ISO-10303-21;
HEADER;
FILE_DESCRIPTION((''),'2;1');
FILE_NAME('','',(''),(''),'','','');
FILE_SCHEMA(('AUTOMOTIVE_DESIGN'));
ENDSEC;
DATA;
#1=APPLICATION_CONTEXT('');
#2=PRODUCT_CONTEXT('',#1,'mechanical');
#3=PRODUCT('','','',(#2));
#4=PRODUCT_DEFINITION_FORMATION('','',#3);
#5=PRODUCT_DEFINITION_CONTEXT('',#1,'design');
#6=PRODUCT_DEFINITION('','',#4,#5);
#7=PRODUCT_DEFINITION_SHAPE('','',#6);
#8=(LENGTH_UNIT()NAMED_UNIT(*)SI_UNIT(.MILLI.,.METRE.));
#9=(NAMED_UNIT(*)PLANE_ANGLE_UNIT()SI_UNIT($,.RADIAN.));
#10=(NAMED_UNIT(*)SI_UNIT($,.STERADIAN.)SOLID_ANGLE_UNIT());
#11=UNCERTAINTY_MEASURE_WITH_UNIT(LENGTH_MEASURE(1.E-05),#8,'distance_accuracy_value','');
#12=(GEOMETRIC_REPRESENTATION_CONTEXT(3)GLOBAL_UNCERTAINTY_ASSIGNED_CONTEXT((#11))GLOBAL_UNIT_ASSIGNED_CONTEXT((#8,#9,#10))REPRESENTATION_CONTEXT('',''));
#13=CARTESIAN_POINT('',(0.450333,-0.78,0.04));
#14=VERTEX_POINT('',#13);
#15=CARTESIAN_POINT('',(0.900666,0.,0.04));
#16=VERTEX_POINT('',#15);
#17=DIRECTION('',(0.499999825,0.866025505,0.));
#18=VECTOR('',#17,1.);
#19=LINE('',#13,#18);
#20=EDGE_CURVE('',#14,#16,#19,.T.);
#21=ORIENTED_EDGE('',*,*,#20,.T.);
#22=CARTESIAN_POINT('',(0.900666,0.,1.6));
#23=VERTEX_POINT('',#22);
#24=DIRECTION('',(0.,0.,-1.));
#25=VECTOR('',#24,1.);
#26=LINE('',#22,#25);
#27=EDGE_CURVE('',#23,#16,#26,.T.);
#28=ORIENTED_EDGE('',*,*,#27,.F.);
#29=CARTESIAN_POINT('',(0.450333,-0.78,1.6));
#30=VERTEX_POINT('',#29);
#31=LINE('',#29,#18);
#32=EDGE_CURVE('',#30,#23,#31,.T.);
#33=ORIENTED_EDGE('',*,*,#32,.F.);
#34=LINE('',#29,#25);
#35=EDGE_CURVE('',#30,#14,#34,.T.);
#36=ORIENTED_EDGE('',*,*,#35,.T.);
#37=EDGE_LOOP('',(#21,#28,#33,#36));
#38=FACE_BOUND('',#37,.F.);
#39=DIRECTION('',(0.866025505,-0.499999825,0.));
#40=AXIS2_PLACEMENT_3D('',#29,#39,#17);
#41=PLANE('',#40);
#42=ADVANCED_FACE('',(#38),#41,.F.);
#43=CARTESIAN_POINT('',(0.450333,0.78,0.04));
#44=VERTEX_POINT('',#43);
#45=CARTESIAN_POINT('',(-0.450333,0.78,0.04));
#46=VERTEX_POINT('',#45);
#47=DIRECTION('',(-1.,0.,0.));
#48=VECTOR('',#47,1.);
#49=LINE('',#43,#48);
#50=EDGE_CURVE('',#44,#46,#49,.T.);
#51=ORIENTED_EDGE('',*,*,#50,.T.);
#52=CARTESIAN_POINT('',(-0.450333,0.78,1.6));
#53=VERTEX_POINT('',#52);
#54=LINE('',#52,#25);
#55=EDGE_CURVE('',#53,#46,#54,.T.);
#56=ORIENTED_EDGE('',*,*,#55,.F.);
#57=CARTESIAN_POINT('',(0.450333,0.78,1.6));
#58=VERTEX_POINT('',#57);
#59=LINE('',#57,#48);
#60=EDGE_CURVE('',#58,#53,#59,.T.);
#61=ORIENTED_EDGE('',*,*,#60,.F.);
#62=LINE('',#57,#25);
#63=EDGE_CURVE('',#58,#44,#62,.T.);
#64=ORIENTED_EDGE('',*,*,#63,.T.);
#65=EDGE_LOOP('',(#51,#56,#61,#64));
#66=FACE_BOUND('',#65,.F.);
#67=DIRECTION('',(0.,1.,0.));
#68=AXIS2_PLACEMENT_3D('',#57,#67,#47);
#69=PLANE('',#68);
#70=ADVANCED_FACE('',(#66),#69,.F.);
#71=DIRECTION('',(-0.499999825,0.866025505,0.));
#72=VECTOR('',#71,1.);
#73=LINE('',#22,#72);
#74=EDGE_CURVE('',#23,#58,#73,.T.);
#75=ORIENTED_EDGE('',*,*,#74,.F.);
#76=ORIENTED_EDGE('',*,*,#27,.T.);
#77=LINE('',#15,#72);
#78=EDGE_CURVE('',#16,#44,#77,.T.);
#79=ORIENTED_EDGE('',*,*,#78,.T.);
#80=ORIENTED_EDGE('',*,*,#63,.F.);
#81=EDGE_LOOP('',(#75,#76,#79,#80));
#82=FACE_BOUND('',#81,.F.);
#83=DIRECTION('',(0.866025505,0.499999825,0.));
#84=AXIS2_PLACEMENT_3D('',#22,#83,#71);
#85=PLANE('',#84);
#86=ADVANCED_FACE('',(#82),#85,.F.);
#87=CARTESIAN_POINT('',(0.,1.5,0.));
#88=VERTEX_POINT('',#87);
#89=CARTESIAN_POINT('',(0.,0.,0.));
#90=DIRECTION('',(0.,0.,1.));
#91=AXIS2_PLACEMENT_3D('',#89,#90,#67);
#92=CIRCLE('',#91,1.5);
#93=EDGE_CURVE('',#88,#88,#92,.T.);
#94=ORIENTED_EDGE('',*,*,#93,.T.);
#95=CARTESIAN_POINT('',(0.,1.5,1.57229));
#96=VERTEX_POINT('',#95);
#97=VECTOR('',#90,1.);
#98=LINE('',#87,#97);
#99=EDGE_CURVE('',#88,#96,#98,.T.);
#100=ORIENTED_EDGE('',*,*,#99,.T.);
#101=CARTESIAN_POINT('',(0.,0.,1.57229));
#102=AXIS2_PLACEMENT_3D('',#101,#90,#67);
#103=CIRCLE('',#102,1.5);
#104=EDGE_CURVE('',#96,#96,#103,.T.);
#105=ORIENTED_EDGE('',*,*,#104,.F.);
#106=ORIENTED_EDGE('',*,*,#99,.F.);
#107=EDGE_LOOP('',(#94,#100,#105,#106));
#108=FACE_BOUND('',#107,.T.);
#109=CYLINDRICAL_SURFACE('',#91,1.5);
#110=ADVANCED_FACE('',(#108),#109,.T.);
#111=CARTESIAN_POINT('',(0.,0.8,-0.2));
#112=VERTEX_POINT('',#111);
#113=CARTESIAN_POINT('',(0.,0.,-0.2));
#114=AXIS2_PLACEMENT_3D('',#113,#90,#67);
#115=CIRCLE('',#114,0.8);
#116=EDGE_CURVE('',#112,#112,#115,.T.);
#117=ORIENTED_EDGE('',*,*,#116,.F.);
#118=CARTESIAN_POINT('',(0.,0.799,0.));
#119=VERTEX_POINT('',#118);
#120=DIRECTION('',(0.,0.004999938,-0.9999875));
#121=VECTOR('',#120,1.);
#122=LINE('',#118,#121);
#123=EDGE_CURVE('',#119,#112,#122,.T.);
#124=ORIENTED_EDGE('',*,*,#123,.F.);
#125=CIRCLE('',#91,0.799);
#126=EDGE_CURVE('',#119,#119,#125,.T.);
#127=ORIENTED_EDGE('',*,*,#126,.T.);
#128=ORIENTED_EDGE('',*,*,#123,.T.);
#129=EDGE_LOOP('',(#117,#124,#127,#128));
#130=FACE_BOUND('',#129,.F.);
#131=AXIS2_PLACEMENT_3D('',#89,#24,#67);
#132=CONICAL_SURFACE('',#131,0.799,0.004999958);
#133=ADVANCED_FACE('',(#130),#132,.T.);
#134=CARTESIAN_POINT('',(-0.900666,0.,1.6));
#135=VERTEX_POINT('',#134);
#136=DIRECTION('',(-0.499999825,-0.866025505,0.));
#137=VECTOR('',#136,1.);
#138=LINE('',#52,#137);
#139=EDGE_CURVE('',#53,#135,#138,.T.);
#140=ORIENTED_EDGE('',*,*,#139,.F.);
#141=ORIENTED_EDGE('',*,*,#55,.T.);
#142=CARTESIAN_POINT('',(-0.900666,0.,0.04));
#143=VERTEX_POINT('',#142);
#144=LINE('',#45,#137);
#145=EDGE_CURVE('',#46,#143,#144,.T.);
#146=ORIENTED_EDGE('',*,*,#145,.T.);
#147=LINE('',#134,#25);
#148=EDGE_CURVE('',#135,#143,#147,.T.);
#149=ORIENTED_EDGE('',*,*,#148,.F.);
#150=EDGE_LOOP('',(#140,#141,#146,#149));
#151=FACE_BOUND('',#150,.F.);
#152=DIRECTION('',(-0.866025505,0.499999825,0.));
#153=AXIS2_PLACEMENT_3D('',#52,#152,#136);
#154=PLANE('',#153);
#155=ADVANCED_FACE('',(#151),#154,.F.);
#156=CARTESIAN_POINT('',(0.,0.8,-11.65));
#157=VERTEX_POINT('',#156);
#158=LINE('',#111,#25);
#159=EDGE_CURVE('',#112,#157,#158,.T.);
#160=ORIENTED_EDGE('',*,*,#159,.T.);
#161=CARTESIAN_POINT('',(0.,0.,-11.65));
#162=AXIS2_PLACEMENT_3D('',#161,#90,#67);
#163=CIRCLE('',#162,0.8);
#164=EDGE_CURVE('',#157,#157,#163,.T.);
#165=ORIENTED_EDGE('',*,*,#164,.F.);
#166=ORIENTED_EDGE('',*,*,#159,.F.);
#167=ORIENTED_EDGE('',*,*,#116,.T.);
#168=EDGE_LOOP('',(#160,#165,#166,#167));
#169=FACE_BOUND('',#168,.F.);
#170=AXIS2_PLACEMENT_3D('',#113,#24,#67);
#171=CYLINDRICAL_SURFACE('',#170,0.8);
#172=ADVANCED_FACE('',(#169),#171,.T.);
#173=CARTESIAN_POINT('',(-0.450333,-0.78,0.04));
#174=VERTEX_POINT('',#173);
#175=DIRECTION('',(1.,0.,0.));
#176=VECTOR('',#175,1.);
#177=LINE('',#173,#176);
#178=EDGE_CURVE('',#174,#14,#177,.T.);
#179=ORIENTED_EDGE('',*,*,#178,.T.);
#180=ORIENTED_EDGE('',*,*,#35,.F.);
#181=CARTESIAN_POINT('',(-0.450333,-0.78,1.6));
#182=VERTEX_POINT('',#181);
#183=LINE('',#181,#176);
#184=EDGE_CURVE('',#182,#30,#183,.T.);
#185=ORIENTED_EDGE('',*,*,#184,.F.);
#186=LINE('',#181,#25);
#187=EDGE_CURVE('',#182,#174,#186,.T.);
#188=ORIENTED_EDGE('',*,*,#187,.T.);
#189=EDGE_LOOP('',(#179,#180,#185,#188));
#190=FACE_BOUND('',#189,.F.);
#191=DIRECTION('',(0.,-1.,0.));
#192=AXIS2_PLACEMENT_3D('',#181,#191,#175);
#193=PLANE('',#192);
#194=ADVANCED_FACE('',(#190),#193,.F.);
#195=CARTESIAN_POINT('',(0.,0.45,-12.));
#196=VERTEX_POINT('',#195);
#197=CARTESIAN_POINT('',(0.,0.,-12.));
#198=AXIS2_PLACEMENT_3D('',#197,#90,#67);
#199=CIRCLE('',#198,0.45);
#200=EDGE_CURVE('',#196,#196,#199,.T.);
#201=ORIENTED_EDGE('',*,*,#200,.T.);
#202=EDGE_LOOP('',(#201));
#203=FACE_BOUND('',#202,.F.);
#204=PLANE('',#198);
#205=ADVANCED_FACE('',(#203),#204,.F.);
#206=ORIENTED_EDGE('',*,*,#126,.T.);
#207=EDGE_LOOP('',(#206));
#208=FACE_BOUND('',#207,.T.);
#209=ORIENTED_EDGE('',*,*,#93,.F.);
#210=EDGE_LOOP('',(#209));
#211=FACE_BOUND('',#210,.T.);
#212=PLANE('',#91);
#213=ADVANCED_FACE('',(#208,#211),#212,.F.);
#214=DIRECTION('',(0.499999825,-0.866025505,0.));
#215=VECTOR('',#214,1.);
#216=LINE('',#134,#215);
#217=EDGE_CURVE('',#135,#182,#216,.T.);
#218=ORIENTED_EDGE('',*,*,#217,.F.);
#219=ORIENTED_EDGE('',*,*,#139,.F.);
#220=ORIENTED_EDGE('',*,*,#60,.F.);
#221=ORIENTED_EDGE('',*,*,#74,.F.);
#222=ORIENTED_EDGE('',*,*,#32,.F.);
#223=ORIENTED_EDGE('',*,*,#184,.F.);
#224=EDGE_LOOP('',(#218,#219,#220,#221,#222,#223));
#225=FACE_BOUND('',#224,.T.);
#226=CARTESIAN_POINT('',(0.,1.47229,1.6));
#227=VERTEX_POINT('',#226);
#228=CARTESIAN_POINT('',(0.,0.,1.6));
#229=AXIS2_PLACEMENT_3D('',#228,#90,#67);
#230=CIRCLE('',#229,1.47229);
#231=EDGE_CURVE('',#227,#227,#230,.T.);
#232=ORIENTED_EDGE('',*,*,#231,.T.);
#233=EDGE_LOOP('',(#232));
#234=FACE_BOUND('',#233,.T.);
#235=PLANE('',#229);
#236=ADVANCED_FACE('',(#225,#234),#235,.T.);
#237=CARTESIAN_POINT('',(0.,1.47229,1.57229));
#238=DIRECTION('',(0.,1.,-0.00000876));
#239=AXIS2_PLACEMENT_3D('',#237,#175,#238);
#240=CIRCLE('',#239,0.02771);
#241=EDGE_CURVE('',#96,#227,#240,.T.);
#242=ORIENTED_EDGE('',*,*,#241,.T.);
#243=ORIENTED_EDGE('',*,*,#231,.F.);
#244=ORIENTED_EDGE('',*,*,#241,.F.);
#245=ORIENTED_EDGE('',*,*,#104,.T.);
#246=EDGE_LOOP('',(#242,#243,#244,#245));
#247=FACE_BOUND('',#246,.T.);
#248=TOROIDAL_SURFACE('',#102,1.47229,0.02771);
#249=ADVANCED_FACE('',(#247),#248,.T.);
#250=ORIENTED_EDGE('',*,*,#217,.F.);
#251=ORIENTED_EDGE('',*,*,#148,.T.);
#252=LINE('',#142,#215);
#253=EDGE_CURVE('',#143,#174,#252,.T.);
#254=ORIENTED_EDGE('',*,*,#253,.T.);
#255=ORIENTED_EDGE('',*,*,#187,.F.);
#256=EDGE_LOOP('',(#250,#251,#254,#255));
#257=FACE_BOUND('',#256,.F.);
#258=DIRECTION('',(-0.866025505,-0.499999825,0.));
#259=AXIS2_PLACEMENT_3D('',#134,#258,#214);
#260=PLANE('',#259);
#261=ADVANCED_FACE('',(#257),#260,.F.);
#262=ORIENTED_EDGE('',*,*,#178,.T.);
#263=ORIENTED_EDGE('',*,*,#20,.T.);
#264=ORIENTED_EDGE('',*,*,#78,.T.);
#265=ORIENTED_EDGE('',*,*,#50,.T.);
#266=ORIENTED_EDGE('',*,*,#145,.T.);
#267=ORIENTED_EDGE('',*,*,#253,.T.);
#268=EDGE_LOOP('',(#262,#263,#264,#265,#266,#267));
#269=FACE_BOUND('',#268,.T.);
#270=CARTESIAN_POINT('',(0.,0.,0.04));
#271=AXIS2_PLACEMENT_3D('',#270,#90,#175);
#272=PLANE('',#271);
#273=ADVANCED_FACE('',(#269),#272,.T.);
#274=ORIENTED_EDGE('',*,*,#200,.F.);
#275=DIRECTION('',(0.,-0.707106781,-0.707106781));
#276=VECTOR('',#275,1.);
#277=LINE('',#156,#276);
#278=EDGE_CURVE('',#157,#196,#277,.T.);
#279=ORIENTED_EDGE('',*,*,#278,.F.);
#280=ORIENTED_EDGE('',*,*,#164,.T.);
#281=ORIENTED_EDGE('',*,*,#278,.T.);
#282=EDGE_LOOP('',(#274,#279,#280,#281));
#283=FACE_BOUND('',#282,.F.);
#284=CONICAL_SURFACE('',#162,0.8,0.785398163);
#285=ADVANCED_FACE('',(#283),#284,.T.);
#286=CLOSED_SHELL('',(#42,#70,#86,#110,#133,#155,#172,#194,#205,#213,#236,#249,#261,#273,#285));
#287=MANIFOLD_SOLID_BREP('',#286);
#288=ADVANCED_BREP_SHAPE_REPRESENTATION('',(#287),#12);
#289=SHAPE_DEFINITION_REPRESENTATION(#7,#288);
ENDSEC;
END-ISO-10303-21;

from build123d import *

# Parameters (mm, degrees)
POCKET_DEPTH = 1.56


with BuildPart() as part:
    # Sketch → Revolve (revolve)
    with BuildSketch(Plane.YZ):
        with BuildLine():
            Line((0.799, 0), (1.5, 0))
            Line((1.5, 0), (1.5, 1.57229))
            ThreePointArc((1.5, 1.57229), (1.491884, 1.591884), (1.47229, 1.6))
            Line((1.47229, 1.6), (0, 1.6))
            Line((0, -12), (0, 1.6))
            Line((0.45, -12), (0, -12))
            Line((0.8, -11.65), (0.45, -12))
            Line((0.8, -0.2), (0.8, -11.65))
            Line((0.799, 0), (0.8, -0.2))
        make_face()
    revolve(axis=Axis((0, 0, 0), (0, 0, 1)))

    # Sketch001 → Pocket (cut)
    with BuildSketch(Plane.XY.offset(1.6)):
        Polygon((0.900666, 0), (0.450333, 0.78), (-0.450333, 0.78), (-0.900666, 0), (-0.450333, -0.78), (0.450333, -0.78), align=None)
    extrude(amount=-POCKET_DEPTH, mode=Mode.SUBTRACT)


solid = part.part
